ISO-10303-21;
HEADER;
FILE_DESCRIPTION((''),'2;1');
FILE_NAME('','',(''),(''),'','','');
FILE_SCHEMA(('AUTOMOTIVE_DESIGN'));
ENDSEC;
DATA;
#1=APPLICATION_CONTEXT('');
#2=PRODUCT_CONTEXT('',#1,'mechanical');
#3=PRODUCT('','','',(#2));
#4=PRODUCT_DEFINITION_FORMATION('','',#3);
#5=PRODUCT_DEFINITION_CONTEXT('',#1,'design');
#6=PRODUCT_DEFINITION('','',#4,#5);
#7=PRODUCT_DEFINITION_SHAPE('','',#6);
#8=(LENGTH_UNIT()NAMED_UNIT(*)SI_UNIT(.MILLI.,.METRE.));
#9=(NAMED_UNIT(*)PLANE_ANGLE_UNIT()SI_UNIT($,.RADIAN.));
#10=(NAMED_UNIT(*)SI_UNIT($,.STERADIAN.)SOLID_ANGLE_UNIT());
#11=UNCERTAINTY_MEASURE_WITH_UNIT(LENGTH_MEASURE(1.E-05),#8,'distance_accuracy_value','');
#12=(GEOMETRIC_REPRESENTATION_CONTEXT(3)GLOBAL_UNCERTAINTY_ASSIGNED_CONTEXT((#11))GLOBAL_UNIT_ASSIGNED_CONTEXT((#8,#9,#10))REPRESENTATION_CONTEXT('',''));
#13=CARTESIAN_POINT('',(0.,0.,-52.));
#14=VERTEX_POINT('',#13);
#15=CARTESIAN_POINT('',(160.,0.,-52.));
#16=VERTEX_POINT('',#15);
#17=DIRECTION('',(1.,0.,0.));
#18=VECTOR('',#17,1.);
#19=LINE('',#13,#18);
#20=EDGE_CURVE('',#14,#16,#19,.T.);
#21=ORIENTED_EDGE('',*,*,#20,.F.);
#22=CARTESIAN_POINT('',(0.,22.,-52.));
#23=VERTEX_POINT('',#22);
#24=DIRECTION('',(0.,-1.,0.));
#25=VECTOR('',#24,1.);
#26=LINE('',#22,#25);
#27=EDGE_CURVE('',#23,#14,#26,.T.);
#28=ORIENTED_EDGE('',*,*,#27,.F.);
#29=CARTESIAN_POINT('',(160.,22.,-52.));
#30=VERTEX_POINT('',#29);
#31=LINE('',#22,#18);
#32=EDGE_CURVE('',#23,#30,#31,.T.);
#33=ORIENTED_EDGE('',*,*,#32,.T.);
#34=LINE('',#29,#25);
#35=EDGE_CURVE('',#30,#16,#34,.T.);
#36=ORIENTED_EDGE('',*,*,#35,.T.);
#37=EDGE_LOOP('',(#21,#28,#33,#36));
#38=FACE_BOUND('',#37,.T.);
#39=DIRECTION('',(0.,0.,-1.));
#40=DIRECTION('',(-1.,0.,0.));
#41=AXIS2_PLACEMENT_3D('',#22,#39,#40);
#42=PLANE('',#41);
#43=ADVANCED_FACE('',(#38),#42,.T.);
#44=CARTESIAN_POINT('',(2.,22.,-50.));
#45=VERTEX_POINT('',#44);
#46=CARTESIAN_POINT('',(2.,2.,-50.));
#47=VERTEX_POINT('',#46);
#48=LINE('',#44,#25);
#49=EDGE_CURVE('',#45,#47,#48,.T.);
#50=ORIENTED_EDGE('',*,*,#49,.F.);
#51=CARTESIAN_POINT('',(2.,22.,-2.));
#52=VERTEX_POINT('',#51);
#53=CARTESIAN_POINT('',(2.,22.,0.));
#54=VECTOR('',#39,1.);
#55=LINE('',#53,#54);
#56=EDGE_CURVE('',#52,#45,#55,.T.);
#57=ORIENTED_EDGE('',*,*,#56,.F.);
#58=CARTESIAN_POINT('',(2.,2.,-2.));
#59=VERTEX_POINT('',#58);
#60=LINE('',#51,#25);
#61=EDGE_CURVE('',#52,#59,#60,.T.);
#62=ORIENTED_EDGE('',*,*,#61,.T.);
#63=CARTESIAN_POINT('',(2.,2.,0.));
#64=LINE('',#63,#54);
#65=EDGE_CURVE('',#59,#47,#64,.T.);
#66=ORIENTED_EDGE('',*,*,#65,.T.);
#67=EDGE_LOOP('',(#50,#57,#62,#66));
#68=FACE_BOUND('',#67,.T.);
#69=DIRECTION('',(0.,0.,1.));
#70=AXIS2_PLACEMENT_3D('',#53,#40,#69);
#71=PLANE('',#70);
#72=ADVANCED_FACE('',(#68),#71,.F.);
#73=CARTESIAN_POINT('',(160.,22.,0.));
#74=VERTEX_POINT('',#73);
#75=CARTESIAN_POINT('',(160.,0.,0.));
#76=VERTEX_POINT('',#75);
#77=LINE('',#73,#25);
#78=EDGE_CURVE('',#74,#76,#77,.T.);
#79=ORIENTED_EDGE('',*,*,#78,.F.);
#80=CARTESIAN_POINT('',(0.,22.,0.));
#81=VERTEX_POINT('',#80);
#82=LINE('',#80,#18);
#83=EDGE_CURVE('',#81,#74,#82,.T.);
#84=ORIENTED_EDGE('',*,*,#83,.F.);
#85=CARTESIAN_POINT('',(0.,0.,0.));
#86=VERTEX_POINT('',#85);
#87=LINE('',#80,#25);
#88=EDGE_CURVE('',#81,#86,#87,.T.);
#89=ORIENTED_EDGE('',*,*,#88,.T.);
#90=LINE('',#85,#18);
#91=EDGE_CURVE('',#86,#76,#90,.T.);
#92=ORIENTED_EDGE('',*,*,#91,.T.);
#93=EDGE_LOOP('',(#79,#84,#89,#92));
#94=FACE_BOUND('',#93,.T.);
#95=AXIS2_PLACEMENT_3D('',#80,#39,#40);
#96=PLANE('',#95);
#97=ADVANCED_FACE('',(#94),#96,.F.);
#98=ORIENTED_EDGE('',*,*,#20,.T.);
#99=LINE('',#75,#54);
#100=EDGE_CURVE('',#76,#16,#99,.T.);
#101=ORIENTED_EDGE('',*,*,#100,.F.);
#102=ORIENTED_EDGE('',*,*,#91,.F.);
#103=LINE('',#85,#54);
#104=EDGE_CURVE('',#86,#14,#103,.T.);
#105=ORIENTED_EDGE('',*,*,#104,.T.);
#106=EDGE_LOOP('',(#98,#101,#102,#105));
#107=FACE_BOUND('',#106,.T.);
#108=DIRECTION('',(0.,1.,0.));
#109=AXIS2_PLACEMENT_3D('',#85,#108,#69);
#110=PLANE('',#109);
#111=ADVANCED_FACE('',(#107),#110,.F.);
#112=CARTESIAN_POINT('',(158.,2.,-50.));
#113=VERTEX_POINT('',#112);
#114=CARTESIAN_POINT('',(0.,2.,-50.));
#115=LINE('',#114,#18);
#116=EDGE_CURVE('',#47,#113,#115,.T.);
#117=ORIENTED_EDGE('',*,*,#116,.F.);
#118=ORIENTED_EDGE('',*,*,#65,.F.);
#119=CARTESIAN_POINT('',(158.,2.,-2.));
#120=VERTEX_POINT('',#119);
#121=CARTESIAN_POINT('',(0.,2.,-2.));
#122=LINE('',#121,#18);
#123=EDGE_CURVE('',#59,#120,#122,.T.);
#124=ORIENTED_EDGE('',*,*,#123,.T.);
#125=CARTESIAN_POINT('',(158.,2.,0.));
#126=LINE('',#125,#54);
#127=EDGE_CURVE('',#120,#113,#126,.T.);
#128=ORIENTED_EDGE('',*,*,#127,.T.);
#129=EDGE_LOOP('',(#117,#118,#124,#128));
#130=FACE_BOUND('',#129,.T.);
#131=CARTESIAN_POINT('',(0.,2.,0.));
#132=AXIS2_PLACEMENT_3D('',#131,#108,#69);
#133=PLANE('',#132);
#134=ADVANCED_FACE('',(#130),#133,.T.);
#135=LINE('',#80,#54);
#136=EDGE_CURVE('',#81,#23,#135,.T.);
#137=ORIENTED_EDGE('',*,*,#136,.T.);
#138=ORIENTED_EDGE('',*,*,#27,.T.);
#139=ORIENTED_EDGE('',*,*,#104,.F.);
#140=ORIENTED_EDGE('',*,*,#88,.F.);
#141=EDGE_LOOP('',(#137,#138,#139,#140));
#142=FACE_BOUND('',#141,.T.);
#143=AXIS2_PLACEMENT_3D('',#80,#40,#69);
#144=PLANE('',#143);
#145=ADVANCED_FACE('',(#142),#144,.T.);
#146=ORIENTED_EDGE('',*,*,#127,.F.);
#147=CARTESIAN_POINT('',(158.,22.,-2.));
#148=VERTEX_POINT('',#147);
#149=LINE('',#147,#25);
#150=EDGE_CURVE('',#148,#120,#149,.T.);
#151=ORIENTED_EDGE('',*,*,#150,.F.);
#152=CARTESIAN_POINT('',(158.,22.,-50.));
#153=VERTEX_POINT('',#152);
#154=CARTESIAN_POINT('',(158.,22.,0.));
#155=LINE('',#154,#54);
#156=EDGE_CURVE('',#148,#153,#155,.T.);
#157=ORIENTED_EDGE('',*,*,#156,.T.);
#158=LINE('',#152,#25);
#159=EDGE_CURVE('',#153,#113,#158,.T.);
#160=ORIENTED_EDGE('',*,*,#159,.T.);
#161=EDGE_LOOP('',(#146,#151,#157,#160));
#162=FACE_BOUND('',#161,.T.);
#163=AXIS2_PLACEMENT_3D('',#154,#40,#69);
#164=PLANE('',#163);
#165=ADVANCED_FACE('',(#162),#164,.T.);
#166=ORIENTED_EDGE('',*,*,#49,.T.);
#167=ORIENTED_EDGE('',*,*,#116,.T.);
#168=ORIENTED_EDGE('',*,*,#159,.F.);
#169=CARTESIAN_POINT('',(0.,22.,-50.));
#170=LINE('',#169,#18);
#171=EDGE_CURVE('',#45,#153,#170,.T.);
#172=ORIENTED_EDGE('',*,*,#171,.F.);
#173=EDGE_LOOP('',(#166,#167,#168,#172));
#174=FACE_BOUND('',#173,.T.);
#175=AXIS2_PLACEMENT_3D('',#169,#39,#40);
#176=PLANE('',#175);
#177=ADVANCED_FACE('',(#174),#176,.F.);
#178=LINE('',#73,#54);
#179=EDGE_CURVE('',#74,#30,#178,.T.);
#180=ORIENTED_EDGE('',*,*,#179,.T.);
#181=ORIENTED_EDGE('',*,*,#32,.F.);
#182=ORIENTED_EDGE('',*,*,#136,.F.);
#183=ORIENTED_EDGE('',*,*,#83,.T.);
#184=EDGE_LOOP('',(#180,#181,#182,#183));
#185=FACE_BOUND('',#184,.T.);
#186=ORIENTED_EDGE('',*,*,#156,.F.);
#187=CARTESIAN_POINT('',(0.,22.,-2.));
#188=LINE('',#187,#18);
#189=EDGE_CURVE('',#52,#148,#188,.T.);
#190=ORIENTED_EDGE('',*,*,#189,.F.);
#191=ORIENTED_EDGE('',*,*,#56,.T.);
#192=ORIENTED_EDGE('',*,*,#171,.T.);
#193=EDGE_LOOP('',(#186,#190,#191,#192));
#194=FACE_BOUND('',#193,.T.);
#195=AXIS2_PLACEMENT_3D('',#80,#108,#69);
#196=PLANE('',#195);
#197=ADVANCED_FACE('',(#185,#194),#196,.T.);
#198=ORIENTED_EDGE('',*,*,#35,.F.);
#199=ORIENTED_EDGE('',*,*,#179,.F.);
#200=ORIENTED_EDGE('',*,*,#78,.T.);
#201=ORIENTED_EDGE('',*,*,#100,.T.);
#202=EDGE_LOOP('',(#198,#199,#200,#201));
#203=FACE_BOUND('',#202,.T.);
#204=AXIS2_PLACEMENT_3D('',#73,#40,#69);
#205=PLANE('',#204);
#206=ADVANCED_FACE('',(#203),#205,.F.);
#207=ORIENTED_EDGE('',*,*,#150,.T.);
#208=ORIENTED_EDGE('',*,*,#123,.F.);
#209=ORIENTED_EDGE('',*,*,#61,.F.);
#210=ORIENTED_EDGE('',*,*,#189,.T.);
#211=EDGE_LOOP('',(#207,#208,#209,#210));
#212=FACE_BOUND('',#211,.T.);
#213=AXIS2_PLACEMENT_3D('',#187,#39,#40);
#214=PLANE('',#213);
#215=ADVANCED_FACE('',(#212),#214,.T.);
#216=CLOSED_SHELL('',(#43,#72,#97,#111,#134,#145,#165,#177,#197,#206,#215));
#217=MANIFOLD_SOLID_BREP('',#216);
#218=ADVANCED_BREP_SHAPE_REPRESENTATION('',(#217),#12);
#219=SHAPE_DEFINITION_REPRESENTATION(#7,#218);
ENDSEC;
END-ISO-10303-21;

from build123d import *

# Parameters (mm, degrees)
SKETCH1_W           = 160
SKETCH1_H           = 52
BOSS_EXTRUDE1_DEPTH = 22
SHELL1_T            = -2


with BuildPart() as part:
    # Sketch1 → Boss-Extrude1 (new body)
    with BuildSketch(Plane(origin=(0, 0, 0), x_dir=(1, 0, 0), z_dir=(0, 1, 0))):
        with Locations((80, 26)):
            Rectangle(SKETCH1_W, SKETCH1_H)
    extrude(amount=BOSS_EXTRUDE1_DEPTH)

    # Shell1
    shell1_openings = [part.faces().sort_by_distance(p)[0] for p in [
        (80, 22, -26),
    ]]
    offset(amount=SHELL1_T, openings=shell1_openings, kind=Kind.INTERSECTION)


solid = part.part
